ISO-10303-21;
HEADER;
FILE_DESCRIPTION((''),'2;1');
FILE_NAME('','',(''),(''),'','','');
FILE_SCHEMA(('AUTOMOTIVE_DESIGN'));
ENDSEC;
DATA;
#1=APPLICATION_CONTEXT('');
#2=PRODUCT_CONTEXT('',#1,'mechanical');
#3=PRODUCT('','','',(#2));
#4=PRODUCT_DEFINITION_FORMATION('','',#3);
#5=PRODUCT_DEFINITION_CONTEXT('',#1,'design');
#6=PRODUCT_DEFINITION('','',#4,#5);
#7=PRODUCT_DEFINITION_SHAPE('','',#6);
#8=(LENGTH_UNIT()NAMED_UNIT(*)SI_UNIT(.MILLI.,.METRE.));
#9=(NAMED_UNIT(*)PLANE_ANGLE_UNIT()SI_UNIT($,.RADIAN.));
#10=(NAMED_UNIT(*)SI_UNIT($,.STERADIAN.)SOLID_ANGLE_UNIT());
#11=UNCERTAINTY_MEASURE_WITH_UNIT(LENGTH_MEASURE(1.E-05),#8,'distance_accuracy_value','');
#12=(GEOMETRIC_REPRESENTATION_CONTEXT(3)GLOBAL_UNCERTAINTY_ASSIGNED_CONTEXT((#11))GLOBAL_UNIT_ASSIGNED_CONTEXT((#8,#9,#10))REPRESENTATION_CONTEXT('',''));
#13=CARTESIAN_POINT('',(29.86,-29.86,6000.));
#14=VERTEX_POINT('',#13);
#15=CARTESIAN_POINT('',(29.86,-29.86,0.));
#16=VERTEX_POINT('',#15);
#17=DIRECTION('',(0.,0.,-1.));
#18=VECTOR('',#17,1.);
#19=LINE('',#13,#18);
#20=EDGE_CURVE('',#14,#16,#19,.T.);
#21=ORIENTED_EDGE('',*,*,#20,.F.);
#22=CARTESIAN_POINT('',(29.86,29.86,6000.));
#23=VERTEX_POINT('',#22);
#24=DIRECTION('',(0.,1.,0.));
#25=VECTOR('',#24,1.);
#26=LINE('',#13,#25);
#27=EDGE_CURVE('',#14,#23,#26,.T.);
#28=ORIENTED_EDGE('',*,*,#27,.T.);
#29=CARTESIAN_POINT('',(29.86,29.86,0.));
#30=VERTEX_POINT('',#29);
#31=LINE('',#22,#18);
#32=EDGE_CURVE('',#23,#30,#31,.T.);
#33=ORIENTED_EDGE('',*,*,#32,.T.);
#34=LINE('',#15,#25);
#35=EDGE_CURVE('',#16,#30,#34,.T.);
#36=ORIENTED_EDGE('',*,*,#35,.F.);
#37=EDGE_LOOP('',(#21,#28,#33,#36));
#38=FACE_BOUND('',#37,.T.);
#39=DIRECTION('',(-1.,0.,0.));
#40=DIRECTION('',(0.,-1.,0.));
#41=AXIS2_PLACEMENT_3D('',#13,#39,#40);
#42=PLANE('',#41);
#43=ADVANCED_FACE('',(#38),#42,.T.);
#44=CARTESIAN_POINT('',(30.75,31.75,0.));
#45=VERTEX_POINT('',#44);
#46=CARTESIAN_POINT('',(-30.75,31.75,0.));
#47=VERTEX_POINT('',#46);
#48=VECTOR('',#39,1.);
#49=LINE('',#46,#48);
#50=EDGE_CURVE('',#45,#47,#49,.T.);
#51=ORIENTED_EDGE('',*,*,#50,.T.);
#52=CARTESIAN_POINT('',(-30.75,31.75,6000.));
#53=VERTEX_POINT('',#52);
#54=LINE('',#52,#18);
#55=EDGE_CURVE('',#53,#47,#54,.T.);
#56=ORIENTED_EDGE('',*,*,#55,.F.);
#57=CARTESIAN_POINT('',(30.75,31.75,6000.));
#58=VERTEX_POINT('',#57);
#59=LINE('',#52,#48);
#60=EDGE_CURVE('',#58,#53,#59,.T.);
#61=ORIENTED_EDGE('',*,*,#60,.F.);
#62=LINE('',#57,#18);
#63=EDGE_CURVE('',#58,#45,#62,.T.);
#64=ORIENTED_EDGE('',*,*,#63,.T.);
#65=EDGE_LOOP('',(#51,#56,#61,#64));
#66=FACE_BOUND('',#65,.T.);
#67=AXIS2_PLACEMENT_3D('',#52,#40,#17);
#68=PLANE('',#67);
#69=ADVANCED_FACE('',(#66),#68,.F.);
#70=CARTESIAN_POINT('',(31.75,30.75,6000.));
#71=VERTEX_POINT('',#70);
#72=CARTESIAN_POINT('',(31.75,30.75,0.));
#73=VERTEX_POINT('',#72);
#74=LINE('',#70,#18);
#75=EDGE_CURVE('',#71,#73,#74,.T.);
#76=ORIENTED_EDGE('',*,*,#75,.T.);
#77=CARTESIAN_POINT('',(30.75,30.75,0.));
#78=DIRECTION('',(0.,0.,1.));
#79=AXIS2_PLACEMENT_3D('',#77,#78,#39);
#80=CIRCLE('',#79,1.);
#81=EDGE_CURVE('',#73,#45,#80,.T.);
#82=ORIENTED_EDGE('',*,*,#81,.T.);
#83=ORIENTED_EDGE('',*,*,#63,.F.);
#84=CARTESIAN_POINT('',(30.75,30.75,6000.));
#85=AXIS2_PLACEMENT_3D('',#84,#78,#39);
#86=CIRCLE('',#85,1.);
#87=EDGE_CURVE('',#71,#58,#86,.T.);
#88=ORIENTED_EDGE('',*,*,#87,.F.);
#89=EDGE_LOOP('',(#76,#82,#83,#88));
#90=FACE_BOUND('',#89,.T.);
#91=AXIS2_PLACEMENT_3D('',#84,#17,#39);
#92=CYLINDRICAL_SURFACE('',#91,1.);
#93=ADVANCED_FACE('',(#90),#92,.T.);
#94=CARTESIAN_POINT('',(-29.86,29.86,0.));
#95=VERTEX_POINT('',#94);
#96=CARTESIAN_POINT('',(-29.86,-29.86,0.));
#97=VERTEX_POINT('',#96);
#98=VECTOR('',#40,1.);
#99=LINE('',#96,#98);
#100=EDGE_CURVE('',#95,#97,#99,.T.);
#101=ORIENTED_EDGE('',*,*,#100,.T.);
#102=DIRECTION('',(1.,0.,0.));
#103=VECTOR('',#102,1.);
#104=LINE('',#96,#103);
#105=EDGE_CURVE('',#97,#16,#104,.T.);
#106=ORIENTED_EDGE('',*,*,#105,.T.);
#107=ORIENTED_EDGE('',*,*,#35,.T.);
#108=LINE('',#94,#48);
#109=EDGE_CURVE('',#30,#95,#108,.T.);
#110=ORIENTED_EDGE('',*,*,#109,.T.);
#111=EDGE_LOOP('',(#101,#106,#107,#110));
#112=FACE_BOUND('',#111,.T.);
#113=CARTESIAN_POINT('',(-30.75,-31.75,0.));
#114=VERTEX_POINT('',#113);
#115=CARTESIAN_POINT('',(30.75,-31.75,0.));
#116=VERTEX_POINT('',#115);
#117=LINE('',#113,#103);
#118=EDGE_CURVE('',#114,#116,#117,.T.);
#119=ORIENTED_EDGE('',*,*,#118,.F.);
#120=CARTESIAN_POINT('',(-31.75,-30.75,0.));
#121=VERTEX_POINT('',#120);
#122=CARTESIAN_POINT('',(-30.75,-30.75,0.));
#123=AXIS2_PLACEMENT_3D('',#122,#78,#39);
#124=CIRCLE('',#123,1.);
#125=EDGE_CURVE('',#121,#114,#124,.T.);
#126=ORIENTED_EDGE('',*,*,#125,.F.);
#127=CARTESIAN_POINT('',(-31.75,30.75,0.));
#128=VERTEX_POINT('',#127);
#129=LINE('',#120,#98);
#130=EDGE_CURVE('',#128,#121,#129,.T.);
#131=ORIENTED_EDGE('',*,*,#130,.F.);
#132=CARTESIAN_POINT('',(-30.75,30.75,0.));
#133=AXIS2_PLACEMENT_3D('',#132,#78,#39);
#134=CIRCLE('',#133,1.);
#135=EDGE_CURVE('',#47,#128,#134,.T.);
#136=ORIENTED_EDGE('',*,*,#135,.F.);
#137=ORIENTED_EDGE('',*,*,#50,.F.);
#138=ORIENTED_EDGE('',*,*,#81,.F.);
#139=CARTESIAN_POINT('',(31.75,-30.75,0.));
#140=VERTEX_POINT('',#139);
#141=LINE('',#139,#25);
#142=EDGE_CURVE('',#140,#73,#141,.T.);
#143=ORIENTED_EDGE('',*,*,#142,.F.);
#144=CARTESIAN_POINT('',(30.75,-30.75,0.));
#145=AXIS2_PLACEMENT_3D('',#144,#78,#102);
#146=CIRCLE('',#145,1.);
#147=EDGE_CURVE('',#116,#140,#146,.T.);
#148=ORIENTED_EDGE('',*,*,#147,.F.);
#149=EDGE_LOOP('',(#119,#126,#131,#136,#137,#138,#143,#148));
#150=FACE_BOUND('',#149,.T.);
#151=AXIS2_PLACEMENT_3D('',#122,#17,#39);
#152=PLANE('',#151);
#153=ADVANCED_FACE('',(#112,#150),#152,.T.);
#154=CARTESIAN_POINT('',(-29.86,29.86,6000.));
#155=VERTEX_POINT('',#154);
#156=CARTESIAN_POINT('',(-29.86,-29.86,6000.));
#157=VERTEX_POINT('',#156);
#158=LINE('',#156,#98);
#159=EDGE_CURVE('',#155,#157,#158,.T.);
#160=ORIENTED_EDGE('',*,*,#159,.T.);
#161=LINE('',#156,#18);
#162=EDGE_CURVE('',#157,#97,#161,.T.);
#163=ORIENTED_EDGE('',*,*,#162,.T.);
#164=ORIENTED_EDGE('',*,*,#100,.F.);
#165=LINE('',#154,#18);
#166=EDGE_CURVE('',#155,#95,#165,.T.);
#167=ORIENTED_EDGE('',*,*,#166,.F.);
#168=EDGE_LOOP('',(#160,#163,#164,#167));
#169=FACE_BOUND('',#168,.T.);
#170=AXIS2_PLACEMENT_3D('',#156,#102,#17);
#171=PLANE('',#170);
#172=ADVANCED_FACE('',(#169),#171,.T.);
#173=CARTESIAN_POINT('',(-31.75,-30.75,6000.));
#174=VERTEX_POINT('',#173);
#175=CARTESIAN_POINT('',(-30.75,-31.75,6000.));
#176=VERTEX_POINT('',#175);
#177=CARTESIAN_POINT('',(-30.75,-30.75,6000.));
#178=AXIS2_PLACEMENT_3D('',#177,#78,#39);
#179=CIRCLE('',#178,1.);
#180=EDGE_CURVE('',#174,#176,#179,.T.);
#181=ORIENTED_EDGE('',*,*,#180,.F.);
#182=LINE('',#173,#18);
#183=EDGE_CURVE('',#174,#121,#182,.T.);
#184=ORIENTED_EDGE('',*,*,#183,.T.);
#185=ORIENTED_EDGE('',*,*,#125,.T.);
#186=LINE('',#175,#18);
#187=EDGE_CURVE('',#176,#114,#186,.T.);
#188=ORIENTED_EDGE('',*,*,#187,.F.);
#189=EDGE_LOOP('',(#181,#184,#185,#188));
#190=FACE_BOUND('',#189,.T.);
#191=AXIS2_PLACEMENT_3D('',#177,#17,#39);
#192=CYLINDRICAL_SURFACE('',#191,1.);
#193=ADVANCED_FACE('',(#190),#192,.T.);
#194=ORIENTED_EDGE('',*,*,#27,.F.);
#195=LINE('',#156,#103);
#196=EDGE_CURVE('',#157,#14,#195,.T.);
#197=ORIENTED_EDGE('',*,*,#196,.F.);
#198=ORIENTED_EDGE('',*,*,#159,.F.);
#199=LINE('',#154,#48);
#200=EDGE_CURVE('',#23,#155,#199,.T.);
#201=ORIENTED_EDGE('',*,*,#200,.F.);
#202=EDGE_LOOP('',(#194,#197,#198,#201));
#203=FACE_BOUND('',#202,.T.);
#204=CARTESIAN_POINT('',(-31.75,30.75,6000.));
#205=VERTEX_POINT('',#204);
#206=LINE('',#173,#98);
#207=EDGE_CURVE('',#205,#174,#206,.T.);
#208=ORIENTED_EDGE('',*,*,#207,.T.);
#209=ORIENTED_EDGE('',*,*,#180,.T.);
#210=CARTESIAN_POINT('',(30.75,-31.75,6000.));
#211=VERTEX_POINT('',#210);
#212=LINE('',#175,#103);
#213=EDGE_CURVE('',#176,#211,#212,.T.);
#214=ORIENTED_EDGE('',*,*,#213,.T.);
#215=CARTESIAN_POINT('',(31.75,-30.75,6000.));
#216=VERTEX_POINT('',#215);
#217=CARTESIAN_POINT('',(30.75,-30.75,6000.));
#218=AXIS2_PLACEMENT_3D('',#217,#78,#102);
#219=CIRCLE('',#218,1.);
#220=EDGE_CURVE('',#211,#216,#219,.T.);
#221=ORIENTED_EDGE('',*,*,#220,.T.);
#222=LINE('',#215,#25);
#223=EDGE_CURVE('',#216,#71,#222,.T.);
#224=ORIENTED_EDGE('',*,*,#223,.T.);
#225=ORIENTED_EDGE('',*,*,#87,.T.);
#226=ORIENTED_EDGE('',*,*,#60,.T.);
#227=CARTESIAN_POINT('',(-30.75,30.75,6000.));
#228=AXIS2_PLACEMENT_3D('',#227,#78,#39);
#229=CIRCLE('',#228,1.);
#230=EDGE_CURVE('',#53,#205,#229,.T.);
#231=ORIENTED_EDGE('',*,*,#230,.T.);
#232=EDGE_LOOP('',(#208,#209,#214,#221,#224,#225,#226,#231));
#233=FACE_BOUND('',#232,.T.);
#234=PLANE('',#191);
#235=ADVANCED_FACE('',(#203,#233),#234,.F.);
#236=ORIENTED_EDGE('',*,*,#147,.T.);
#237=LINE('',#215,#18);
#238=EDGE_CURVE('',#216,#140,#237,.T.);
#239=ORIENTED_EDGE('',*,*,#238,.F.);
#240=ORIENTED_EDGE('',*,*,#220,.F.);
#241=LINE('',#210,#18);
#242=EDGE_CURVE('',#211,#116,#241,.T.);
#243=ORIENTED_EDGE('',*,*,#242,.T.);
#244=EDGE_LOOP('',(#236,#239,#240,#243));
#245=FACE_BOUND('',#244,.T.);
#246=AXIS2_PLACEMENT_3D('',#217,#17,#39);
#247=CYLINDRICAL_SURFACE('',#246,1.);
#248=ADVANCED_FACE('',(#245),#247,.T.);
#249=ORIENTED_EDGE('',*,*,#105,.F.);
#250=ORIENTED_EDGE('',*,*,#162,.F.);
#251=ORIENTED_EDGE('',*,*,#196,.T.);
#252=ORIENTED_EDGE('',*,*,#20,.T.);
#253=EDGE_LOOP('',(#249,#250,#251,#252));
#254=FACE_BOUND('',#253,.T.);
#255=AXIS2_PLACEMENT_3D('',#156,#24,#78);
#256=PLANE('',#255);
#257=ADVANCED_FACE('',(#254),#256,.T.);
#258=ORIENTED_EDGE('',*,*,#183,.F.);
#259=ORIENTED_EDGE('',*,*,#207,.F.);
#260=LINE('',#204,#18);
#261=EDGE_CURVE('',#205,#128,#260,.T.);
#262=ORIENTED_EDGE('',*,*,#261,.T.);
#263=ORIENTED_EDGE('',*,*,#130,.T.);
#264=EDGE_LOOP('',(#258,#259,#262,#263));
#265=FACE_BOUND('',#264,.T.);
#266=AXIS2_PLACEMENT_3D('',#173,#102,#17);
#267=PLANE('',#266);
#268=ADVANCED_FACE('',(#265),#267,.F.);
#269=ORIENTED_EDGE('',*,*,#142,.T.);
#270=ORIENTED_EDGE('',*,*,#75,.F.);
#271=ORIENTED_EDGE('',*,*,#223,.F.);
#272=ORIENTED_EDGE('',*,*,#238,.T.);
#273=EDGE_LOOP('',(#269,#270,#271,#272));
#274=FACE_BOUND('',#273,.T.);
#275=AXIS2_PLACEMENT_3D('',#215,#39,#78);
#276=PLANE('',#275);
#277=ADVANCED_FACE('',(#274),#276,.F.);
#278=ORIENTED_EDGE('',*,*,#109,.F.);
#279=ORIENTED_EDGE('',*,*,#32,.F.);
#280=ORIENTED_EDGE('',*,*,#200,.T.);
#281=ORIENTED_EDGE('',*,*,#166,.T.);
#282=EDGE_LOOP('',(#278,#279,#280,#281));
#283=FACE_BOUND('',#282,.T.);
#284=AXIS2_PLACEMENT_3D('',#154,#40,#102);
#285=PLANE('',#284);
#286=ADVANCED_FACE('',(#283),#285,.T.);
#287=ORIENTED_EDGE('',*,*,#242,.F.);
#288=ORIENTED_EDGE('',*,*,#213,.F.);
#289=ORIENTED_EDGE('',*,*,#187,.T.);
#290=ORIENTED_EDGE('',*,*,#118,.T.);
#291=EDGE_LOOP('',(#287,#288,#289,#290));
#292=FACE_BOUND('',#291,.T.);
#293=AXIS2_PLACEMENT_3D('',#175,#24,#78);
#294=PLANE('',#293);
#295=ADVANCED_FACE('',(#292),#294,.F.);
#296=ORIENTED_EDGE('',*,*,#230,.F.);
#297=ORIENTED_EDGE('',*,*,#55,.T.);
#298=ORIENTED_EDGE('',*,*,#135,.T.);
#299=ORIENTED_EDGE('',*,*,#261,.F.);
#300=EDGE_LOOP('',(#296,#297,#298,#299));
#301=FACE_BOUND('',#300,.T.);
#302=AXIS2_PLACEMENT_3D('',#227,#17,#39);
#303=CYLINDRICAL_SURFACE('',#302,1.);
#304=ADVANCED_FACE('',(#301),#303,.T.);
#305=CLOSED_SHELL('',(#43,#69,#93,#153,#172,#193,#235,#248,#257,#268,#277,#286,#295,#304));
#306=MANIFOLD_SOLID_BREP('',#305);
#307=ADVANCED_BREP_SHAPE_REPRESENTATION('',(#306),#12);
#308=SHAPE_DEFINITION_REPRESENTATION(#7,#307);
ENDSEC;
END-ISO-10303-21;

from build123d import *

# Parameters (mm, degrees)
CROQUIS1_W              = 59.72
CROQUIS1_H              = 59.72
SALIENTE_EXTRUIR1_DEPTH = 6000


with BuildPart() as part:
    # Croquis1 → Saliente-Extruir1 (new body)
    with BuildSketch(Plane.XY):
        with BuildLine():
            Line((-30.75, -31.75), (30.75, -31.75))
            ThreePointArc((30.75, -31.75), (31.457106781, -31.457106781), (31.75, -30.75))
            Line((31.75, -30.75), (31.75, 30.75))
            ThreePointArc((31.75, 30.75), (31.457106781, 31.457106781), (30.75, 31.75))
            Line((30.75, 31.75), (-30.75, 31.75))
            ThreePointArc((-30.75, 31.75), (-31.457106781, 31.457106781), (-31.75, 30.75))
            Line((-31.75, 30.75), (-31.75, -30.75))
            ThreePointArc((-31.75, -30.75), (-31.457106781, -31.457106781), (-30.75, -31.75))
        make_face()
        Rectangle(CROQUIS1_W, CROQUIS1_H, mode=Mode.SUBTRACT)
    extrude(amount=SALIENTE_EXTRUIR1_DEPTH)


solid = part.part
